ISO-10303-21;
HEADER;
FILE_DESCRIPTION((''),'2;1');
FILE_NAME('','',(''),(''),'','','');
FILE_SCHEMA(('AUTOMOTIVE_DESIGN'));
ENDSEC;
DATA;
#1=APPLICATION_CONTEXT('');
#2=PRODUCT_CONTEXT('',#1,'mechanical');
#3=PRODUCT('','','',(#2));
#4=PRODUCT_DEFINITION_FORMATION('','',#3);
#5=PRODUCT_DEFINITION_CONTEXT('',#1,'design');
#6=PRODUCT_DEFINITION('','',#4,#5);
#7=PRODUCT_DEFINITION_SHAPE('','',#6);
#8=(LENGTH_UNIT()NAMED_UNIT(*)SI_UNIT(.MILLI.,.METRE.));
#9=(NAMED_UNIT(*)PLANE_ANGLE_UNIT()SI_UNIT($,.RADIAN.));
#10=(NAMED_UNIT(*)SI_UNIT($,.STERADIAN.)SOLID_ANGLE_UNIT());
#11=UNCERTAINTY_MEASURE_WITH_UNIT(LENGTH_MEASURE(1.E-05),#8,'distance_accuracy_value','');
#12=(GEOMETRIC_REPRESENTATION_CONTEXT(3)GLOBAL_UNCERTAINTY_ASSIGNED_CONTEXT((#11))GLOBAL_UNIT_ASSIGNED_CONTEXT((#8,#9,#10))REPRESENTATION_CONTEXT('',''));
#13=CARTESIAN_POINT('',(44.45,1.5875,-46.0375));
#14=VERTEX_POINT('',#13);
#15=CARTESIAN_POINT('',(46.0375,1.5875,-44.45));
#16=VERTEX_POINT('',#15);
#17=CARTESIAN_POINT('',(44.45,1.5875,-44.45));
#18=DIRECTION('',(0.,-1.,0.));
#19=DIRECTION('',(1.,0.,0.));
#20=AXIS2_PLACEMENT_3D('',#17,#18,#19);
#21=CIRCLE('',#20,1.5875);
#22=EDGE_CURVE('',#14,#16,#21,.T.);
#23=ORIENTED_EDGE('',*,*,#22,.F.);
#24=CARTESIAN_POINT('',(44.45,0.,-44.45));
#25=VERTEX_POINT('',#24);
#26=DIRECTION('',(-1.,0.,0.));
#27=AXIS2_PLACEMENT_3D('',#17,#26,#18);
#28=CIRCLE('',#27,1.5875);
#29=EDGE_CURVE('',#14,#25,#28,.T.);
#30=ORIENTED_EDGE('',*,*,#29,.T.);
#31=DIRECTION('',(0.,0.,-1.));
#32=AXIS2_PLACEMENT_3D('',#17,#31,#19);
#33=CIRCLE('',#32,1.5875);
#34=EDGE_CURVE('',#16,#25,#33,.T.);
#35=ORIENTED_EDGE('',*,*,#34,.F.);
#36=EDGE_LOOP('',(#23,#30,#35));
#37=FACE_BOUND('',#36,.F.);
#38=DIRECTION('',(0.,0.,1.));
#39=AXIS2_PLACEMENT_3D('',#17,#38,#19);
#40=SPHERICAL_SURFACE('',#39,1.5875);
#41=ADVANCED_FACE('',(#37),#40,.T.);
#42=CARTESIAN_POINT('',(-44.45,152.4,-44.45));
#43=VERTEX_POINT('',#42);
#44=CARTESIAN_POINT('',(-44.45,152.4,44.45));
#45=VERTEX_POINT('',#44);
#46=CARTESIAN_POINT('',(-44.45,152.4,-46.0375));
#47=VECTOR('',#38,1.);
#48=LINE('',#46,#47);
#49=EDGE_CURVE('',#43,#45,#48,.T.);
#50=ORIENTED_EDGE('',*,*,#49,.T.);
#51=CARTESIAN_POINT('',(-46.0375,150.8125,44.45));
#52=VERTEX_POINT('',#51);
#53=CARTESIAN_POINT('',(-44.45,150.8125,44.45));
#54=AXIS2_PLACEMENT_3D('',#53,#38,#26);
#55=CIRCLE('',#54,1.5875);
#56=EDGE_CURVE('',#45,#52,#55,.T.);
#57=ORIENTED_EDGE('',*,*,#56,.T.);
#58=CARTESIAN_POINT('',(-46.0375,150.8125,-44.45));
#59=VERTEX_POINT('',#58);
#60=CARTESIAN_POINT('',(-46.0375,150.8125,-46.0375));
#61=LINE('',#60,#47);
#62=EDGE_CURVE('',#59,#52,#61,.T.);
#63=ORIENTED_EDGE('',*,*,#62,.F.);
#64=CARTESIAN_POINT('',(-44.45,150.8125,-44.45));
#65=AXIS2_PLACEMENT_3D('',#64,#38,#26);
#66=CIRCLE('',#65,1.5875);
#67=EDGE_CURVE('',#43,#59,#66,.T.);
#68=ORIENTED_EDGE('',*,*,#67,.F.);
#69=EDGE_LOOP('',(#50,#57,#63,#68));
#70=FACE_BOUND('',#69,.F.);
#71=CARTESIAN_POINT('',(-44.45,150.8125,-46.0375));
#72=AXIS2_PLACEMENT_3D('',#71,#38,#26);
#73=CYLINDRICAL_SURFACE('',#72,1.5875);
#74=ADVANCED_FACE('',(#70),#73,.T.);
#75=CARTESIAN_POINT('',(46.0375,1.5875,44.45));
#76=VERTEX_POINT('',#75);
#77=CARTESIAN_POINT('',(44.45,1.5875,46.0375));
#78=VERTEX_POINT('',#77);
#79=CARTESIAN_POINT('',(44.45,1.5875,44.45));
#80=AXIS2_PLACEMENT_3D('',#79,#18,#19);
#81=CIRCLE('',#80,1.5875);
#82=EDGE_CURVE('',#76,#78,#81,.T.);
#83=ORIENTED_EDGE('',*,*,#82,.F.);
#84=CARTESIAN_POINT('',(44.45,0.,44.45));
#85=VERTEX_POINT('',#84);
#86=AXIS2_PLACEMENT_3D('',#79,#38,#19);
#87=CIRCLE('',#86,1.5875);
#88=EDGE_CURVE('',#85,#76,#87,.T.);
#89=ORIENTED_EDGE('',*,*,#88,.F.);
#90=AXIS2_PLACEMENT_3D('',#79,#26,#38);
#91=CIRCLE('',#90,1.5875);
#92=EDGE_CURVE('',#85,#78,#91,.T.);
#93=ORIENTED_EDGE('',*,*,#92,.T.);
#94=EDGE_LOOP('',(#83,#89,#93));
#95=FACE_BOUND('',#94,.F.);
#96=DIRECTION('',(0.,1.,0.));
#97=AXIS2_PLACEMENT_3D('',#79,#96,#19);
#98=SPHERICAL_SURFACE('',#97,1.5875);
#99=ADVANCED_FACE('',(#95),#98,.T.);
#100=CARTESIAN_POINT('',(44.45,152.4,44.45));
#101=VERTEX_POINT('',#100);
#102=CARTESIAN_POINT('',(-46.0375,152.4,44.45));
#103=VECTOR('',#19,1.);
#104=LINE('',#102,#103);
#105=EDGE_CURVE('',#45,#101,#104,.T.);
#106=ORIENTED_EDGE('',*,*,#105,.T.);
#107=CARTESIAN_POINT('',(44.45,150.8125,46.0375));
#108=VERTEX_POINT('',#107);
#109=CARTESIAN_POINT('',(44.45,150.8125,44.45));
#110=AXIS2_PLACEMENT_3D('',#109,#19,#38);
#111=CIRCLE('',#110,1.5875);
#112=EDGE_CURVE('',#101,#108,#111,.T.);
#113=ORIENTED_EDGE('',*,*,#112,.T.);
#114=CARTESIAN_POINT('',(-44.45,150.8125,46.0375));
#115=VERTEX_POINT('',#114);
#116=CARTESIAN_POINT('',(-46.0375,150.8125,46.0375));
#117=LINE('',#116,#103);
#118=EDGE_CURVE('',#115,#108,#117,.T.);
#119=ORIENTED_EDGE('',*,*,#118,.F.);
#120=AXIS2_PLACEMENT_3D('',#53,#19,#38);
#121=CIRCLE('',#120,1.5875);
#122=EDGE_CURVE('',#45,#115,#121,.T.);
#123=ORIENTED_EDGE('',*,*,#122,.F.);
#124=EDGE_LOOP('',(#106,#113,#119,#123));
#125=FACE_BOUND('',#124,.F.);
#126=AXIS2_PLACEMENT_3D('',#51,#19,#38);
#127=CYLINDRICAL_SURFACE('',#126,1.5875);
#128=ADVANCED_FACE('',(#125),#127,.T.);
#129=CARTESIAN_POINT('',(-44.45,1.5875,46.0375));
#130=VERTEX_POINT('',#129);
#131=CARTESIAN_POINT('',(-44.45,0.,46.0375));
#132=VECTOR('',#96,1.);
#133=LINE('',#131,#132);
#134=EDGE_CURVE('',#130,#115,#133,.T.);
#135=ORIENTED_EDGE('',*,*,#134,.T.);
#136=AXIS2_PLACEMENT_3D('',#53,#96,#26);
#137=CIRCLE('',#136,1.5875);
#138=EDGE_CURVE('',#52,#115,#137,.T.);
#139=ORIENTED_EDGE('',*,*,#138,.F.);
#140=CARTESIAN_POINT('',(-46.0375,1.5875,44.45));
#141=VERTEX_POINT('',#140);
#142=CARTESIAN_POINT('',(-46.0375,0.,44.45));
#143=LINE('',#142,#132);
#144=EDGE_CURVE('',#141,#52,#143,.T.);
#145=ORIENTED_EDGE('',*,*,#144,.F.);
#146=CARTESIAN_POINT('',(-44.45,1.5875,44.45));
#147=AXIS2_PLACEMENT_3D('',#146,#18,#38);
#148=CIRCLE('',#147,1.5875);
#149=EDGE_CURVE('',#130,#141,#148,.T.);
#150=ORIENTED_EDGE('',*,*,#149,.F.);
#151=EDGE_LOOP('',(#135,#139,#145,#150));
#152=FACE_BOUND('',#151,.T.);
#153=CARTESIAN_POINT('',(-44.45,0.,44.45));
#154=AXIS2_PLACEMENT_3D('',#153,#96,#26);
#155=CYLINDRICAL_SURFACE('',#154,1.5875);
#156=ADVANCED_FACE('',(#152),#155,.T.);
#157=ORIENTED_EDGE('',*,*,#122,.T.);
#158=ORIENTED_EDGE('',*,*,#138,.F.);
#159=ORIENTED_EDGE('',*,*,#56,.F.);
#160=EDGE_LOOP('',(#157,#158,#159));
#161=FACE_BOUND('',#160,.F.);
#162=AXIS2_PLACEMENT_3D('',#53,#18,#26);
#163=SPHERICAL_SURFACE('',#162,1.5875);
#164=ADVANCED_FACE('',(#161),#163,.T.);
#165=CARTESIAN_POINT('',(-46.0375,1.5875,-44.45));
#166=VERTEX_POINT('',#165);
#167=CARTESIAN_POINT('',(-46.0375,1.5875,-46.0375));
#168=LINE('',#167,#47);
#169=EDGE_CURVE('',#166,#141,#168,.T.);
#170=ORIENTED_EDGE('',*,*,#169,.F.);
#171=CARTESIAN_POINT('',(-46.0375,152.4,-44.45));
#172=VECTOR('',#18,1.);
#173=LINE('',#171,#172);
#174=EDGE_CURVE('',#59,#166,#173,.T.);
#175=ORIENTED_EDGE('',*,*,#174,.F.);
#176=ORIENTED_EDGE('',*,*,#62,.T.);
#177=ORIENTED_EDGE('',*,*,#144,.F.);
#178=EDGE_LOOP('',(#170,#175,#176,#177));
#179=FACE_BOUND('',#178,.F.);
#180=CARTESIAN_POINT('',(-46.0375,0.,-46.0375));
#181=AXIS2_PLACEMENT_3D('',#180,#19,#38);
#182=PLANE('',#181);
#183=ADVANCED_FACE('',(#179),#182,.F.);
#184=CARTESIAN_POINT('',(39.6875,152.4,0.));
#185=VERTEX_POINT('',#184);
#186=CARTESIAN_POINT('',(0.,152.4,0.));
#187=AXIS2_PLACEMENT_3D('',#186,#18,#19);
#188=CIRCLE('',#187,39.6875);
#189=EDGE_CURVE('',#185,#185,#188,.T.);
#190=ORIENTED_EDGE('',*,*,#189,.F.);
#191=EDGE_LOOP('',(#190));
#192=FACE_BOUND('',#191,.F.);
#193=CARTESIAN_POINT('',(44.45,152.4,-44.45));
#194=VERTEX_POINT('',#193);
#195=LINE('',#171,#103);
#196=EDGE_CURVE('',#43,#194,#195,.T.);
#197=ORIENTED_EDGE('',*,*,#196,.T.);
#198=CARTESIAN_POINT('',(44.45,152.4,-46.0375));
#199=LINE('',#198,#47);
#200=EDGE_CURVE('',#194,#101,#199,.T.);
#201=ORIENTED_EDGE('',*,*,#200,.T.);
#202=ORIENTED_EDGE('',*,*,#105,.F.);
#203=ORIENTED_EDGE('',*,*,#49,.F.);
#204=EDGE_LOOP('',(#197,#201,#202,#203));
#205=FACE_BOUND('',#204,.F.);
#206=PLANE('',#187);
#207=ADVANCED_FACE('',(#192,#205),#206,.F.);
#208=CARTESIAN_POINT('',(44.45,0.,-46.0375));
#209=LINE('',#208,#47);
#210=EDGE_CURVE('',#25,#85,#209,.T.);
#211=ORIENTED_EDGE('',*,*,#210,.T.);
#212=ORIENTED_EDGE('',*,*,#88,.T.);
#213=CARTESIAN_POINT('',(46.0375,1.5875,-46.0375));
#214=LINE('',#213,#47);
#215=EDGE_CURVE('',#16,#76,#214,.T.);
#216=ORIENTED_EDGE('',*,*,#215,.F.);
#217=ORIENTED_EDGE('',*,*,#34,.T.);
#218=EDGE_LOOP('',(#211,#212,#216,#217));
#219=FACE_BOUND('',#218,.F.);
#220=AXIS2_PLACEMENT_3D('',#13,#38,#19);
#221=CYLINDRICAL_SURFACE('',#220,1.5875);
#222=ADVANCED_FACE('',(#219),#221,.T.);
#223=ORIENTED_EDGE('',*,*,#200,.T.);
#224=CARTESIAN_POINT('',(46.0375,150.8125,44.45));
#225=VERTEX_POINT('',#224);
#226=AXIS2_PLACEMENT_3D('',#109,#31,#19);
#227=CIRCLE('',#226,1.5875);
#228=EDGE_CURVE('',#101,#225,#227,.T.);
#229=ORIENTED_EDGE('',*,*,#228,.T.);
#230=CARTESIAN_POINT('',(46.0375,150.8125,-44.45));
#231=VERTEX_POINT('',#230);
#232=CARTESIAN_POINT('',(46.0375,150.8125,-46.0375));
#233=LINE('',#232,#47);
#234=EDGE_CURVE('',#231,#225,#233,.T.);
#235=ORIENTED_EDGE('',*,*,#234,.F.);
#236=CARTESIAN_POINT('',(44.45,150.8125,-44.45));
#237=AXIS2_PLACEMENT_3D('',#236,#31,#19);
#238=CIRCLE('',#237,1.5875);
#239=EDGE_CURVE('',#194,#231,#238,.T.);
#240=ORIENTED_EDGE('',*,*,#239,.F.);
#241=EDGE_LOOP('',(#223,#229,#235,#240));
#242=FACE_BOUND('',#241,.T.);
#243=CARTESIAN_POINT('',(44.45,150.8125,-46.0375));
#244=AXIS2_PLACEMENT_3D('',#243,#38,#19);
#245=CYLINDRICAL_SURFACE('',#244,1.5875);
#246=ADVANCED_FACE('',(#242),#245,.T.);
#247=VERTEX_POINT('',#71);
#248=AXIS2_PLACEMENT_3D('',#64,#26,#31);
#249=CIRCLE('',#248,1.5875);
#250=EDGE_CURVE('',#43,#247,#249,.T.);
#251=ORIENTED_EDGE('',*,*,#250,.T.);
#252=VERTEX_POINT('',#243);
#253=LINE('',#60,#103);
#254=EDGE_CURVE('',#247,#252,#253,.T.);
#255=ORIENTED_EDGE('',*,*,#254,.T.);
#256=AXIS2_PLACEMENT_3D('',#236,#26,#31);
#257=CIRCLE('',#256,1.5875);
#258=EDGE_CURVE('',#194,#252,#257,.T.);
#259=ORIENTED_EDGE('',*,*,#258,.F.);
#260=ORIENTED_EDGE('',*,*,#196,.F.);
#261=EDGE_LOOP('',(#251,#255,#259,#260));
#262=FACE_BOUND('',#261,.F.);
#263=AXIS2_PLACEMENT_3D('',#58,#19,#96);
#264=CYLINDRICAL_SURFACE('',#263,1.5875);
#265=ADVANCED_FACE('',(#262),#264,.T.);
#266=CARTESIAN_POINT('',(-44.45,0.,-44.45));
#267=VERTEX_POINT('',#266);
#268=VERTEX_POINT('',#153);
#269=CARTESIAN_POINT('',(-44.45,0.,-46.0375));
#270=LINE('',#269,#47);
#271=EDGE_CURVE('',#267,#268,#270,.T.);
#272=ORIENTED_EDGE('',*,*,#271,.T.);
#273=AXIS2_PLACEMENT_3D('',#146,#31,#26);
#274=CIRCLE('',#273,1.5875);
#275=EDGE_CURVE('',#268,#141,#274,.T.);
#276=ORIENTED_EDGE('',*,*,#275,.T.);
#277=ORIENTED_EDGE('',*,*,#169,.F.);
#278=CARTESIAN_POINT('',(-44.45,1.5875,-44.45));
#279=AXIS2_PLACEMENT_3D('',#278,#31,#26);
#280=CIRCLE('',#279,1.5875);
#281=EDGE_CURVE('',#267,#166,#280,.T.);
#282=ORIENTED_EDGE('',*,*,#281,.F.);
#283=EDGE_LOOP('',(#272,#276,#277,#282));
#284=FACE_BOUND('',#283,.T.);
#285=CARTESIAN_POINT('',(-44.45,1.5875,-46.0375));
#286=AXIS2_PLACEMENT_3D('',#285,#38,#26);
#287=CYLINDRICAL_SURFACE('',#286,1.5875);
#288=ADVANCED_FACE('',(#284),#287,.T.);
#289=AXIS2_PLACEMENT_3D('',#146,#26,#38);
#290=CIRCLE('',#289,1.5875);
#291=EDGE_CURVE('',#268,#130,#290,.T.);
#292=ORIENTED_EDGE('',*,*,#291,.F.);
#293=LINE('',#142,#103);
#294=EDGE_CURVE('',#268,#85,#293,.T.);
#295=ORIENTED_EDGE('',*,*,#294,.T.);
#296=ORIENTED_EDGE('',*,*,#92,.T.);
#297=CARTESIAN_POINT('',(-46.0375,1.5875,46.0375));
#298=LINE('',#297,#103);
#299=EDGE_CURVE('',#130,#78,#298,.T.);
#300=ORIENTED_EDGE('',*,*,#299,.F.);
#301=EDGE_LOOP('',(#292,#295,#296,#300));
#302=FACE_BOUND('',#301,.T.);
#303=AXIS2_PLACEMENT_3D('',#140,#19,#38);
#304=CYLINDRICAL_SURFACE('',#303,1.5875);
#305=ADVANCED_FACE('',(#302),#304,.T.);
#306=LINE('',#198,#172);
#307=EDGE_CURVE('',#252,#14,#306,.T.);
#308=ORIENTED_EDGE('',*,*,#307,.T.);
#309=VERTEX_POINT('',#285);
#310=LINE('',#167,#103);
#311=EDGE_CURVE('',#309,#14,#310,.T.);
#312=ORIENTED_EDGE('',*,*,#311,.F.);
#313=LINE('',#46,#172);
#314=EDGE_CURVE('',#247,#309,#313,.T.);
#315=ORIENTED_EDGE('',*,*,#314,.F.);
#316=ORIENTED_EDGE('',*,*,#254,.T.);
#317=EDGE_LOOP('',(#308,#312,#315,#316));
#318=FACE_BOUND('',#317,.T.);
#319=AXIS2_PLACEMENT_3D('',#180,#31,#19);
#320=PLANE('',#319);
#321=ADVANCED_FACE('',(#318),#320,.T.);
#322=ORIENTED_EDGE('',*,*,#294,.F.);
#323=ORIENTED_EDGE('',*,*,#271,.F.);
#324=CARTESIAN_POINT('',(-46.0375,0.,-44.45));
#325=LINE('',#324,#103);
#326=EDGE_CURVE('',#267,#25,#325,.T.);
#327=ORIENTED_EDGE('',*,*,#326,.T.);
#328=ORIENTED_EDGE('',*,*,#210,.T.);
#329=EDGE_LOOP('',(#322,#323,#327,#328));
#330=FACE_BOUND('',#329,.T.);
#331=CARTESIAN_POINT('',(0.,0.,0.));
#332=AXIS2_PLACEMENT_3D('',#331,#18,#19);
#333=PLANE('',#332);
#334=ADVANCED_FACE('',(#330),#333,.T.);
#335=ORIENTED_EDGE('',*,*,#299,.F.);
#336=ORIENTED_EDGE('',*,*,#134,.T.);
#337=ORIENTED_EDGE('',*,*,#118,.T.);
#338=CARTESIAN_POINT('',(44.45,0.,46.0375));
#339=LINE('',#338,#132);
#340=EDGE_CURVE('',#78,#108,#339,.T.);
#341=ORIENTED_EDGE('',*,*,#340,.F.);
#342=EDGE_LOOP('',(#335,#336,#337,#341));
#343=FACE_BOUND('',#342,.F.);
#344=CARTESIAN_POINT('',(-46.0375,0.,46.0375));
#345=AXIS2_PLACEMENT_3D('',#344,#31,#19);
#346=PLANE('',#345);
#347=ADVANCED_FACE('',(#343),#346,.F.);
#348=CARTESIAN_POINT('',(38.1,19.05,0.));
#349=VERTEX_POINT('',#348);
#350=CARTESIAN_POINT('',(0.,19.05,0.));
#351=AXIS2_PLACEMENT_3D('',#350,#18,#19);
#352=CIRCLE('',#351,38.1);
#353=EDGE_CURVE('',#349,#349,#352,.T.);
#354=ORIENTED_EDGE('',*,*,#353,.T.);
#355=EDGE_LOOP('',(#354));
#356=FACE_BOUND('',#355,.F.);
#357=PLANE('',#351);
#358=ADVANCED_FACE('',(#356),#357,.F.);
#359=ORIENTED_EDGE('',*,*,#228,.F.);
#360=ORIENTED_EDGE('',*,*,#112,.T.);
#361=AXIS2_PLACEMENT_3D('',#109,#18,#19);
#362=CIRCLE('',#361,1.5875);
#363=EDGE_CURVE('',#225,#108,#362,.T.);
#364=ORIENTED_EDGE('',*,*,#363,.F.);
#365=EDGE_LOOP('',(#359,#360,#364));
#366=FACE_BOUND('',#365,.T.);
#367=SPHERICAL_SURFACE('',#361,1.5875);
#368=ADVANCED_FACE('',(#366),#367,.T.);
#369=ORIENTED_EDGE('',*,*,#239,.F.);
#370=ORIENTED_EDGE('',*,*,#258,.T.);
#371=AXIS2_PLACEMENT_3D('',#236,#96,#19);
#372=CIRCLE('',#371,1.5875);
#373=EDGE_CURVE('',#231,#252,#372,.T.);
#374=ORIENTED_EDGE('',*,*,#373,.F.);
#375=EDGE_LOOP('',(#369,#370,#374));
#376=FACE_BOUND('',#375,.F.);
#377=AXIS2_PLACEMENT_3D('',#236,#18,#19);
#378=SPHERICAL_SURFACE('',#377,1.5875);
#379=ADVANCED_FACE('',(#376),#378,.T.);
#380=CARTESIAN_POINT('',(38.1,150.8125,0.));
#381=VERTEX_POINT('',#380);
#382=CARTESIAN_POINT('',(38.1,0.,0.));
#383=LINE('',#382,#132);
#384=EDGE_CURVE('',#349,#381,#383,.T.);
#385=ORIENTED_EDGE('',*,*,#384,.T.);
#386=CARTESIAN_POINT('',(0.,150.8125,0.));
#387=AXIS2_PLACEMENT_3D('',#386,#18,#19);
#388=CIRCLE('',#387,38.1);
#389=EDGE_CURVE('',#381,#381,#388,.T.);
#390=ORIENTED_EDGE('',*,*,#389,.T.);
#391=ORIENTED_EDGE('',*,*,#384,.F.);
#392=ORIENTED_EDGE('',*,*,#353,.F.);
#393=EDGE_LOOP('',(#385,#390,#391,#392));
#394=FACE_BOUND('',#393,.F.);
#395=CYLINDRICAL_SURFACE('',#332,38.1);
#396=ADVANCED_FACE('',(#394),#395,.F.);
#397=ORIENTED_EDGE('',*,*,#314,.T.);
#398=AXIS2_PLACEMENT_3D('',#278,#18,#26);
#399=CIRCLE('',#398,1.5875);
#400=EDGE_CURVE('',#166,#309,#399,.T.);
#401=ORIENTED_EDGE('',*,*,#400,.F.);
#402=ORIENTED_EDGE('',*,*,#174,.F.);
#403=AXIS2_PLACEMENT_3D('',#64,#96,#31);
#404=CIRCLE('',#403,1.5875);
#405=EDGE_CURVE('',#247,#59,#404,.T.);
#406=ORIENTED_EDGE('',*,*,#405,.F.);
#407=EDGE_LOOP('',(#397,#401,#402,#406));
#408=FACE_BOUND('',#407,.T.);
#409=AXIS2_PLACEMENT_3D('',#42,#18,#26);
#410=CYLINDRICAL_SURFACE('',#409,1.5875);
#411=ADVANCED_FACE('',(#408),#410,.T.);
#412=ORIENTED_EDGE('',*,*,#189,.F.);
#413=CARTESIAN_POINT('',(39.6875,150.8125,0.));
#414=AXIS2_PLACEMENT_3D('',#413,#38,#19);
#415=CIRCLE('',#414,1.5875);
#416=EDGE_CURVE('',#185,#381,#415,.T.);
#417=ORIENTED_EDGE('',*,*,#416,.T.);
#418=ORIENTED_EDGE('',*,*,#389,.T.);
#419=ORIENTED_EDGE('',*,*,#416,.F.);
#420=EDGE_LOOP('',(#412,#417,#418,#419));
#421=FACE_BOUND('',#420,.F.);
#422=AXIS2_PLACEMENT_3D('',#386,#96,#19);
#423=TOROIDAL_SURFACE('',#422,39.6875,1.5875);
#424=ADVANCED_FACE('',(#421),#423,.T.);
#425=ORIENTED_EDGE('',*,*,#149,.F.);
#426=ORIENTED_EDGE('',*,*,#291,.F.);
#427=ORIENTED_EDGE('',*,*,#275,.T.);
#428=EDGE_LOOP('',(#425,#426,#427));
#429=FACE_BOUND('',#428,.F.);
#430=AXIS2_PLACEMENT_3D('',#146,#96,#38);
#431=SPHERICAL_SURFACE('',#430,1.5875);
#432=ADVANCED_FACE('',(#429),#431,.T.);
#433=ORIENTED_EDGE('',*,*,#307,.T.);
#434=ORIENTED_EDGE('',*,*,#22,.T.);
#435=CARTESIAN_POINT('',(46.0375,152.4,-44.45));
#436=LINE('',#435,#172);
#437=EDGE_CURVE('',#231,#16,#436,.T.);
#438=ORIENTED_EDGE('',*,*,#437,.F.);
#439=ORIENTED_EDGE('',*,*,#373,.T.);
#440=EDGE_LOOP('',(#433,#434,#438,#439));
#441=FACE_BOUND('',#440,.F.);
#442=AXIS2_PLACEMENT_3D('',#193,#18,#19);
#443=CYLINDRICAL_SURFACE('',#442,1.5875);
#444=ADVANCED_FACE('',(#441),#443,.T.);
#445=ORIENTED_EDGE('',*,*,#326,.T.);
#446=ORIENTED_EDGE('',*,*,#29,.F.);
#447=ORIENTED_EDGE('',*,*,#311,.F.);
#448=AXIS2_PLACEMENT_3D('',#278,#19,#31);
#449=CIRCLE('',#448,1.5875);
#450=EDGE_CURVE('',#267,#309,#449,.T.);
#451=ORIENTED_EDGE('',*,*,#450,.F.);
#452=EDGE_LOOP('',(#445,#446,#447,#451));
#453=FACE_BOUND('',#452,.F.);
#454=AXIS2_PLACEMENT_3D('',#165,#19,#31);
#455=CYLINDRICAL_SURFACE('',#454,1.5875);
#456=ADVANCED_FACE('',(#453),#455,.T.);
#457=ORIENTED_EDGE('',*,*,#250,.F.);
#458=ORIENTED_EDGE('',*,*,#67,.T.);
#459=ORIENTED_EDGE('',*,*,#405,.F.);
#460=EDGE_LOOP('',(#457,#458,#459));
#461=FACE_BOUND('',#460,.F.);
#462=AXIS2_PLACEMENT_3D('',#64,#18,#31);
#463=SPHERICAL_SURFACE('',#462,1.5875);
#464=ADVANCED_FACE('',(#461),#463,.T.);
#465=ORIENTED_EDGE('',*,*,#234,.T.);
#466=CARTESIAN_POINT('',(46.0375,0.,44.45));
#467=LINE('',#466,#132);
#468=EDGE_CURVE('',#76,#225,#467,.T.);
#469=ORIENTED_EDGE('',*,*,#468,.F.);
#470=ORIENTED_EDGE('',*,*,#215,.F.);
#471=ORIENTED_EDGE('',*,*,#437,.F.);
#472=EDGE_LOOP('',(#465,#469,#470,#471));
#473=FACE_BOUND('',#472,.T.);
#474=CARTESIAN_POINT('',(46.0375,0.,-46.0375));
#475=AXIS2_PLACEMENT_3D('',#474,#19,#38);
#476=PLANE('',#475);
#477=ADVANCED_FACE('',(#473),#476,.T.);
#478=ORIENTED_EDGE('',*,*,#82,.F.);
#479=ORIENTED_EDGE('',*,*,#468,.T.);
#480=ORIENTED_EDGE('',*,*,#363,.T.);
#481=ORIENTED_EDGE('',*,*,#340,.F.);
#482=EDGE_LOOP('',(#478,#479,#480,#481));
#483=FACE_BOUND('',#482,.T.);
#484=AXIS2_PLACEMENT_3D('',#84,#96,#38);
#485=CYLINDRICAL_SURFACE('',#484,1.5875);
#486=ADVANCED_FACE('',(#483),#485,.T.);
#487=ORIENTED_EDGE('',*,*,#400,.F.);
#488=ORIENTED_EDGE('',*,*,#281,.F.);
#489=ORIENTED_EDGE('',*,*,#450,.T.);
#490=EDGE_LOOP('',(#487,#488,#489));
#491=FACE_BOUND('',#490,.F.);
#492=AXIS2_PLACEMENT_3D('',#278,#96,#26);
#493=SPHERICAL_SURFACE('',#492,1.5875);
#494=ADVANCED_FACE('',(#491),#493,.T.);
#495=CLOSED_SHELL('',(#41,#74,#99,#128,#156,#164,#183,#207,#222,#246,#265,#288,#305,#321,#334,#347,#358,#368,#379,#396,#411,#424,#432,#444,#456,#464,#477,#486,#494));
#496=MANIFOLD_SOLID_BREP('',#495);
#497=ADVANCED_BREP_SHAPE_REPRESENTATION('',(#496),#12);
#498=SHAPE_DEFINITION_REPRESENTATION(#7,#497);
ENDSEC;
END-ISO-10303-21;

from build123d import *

# Parameters (mm, degrees)
F0_W     = 92.075
F0_H     = 92.075
F0_R     = 38.1
F1_DEPTH = 152.4
F2_DEPTH = 19.05
F3_R     = 1.5875


with BuildPart() as f1:
    # F0 (on Front) → F1 (new body)
    with BuildSketch(Plane.XZ):
        Rectangle(F0_W, F0_H)
        Circle(F0_R, mode=Mode.SUBTRACT)
    extrude(amount=-F1_DEPTH)

    # F0 (on Front) → F2 (join)
    with BuildSketch(Plane.XZ):
        Rectangle(F0_W, F0_H)
        Circle(F0_R, mode=Mode.SUBTRACT)
        Circle(F0_R)
    extrude(amount=-F2_DEPTH)

    # F3
    f3_edges = [f1.edges().sort_by_distance(p)[0] for p in [
        (-46.0375, 76.2, 46.0375),
        (-46.0375, 76.2, -46.0375),
        (46.0375, 76.2, 46.0375),
        (46.0375, 0, 0),
        (46.0375, 76.2, -46.0375),
        (46.0375, 152.4, 0),
        (0, 0, 46.0375),
        (-46.0375, 0, 0),
        (0, 0, -46.0375),
        (0, 152.4, -46.0375),
        (-46.0375, 152.4, 0),
        (0, 152.4, 46.0375),
        (-38.1, 152.4, 0),
    ]]
    fillet(f3_edges, radius=F3_R)


solid = f1.part
